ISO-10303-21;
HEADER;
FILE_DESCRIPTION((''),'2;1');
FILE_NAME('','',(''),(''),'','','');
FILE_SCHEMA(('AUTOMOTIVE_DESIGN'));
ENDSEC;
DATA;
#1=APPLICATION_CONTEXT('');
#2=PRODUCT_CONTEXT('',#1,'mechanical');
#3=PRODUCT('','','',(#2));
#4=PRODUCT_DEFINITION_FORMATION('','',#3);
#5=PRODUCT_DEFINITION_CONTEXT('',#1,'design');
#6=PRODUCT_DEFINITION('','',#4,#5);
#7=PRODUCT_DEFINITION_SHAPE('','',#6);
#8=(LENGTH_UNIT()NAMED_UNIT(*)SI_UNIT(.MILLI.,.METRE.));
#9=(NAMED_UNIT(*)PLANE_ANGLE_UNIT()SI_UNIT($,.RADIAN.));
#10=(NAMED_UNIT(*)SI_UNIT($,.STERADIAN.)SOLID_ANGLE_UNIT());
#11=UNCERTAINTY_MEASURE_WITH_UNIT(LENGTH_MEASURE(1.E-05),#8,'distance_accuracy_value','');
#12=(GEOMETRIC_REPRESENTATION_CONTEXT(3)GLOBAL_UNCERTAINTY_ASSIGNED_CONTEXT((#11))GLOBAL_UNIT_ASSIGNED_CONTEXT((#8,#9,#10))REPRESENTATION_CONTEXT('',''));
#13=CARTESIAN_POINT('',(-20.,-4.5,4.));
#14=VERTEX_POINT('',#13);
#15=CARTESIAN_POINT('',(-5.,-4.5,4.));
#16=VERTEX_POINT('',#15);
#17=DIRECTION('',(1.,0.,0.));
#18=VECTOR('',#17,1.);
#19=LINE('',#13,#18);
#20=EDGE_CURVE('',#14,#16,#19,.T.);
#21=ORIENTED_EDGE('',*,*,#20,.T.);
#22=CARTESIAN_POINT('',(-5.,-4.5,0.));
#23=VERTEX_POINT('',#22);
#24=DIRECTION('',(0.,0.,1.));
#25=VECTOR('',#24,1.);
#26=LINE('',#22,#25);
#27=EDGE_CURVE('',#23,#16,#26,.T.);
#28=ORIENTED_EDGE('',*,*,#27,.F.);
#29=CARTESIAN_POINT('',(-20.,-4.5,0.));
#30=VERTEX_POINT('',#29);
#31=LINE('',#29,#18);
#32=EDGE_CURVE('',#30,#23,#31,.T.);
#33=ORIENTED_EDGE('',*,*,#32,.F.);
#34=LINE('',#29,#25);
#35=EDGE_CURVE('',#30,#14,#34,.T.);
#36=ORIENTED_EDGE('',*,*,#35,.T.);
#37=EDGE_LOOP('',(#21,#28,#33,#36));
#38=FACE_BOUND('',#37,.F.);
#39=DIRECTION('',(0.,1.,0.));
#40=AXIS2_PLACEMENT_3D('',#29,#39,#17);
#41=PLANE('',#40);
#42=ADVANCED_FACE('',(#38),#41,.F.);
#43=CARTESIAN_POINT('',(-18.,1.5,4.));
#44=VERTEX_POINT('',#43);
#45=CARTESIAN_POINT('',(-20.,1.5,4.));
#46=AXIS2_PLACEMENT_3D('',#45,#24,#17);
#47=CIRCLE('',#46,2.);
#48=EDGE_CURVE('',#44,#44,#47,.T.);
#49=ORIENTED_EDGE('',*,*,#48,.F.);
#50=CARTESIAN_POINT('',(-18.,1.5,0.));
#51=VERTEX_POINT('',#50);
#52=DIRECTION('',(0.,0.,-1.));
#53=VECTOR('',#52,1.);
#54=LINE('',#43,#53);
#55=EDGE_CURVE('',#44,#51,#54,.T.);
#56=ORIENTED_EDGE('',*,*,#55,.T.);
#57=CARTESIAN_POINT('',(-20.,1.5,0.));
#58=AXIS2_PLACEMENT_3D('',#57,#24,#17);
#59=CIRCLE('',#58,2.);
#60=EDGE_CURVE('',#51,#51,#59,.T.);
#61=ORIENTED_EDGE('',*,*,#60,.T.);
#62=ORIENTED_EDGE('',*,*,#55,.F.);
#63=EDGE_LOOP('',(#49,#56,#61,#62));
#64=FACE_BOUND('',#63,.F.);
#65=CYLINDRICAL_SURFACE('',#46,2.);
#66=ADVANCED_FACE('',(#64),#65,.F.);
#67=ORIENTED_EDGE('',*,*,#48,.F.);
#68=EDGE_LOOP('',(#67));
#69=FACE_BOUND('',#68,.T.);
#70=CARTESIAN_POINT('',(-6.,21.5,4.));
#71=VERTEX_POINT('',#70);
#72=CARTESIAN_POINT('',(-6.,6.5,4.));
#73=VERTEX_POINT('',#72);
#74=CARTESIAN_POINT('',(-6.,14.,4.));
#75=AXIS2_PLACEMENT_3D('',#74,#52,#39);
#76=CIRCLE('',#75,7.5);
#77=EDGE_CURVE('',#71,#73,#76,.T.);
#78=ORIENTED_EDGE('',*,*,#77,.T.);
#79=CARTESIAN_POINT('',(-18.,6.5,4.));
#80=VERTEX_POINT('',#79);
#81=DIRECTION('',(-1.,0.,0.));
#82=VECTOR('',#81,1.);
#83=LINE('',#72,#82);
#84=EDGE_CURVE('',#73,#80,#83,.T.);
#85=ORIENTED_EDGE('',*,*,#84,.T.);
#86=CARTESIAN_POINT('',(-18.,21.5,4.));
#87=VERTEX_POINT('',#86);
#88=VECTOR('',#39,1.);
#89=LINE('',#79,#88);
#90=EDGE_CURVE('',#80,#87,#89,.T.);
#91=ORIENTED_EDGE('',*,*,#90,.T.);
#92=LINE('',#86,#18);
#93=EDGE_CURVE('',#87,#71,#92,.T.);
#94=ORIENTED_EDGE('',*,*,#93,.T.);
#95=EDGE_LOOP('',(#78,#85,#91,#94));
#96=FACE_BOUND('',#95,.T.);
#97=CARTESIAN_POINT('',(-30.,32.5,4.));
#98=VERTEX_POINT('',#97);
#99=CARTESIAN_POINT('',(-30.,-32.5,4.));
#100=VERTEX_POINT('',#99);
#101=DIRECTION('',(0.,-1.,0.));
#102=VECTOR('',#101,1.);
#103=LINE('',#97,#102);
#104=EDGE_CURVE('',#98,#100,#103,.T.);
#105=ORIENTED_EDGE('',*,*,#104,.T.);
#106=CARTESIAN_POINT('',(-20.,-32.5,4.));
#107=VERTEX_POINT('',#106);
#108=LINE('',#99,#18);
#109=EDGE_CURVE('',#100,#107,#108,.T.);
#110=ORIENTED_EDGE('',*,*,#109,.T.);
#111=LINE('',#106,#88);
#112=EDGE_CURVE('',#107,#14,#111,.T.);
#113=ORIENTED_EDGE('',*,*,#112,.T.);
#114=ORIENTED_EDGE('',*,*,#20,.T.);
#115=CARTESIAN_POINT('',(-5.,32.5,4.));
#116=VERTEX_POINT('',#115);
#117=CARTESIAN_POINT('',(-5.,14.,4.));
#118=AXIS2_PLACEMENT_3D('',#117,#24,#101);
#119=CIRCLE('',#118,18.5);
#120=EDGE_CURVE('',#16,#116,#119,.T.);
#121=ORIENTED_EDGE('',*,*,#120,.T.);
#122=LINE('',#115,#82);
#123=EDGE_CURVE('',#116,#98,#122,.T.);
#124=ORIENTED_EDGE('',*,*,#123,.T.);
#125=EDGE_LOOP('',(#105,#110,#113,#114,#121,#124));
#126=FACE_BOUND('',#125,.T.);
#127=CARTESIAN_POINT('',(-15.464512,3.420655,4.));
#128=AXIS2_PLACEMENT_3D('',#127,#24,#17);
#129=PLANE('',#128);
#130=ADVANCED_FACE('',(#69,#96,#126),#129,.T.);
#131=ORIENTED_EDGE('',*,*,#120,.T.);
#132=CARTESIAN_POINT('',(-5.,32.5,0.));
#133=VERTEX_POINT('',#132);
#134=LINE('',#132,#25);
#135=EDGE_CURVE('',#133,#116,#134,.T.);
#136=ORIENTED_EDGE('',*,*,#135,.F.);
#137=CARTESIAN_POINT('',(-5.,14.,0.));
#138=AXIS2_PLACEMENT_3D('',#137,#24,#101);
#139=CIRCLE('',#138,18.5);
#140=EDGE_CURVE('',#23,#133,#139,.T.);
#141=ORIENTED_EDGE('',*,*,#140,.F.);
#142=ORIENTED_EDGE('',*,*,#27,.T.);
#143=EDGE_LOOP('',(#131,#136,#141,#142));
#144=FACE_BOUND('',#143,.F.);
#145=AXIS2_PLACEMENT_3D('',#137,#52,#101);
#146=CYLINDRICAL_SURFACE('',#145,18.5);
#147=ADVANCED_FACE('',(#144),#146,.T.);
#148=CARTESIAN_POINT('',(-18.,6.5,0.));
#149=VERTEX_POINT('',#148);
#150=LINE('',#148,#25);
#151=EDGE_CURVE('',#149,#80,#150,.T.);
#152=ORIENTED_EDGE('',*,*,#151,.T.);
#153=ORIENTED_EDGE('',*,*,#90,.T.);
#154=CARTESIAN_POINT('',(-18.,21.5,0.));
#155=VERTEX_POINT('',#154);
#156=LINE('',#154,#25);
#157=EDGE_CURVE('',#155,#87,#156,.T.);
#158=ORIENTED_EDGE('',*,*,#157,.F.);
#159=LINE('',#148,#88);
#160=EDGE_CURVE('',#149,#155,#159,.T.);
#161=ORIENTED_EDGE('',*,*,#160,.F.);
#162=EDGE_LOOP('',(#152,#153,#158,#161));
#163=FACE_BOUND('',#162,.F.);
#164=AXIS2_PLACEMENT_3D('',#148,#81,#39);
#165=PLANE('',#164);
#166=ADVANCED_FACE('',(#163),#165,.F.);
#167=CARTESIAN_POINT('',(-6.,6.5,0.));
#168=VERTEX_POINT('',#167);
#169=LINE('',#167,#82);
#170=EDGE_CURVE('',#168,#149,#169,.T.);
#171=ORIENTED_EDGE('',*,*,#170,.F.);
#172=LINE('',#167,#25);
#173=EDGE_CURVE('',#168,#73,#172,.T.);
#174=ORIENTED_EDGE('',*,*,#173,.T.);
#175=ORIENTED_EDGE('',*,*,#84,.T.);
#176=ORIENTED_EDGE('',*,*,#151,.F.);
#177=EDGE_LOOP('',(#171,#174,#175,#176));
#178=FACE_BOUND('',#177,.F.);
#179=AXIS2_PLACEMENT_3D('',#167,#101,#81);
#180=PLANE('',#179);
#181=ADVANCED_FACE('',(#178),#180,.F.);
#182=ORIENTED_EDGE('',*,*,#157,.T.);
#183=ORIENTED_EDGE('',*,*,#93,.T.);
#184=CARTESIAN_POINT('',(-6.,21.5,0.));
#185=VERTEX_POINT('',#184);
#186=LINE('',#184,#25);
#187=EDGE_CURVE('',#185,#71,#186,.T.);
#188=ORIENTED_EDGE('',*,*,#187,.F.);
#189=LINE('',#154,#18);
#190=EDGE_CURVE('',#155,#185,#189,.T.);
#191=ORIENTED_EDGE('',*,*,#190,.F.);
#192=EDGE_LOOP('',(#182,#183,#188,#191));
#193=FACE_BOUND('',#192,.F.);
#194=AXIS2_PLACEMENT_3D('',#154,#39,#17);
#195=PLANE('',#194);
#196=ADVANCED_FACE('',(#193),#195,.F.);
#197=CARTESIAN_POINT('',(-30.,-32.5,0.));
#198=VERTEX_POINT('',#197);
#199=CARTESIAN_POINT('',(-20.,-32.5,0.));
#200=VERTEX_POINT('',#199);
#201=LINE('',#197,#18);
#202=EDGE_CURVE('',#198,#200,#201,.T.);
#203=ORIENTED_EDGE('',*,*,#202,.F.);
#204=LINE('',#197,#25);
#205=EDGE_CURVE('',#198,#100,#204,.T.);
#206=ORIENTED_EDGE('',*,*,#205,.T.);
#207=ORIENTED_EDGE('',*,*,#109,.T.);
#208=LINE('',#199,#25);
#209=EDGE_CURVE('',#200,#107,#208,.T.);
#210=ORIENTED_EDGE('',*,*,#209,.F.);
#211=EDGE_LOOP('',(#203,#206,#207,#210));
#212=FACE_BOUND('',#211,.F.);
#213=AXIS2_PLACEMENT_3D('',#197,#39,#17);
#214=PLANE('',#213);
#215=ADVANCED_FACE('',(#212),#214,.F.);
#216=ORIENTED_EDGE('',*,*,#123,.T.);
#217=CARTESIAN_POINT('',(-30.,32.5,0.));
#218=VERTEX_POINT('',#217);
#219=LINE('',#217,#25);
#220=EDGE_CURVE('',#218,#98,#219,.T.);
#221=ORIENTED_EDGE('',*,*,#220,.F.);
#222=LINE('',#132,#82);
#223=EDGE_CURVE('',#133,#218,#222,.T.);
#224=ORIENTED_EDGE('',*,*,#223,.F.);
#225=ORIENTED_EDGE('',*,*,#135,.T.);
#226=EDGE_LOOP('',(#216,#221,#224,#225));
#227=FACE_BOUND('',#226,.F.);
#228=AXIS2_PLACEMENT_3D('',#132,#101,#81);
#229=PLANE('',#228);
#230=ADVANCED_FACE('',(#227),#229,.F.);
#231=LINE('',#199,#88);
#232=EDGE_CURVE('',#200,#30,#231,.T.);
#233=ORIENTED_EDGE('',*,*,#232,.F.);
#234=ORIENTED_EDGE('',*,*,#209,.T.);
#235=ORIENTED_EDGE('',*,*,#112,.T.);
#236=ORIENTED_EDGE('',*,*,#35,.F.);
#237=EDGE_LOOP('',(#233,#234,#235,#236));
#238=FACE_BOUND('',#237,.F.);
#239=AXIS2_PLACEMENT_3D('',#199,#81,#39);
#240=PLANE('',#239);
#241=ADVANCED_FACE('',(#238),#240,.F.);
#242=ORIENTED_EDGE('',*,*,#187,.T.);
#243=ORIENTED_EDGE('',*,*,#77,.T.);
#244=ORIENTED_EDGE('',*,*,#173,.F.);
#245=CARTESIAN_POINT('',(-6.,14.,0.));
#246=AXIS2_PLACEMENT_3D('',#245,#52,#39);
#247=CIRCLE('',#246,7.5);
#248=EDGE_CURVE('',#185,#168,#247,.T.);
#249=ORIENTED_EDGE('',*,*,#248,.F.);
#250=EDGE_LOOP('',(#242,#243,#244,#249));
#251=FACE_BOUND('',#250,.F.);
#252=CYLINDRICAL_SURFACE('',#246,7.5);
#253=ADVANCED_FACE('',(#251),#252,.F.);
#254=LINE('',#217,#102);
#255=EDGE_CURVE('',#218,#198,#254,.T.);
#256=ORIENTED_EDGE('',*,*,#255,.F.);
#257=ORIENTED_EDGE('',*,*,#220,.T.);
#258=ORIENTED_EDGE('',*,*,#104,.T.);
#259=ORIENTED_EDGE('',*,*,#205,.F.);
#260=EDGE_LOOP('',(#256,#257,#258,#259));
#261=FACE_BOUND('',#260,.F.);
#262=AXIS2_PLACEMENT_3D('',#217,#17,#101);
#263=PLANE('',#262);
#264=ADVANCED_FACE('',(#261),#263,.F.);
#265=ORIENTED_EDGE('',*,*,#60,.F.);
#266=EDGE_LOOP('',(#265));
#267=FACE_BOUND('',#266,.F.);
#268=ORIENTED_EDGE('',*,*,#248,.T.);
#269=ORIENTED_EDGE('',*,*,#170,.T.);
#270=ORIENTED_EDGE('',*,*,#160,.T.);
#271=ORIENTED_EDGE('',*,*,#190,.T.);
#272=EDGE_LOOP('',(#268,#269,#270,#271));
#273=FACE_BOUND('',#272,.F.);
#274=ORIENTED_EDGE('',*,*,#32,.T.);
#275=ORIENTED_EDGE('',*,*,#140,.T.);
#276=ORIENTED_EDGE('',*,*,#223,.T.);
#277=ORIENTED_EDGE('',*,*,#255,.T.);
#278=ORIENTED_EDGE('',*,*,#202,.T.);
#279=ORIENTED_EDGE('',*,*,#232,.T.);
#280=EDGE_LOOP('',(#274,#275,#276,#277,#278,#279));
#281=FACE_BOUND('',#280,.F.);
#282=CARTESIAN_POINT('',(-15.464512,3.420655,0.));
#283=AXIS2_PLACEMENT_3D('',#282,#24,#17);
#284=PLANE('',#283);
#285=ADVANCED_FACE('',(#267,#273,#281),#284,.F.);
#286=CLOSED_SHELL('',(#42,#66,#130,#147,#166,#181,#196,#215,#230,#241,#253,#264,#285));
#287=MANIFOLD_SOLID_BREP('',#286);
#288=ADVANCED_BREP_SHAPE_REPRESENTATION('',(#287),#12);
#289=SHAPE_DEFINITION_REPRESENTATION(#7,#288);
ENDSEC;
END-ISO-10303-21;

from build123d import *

# Parameters (mm, degrees)
F1_DEPTH = 4
F2_R     = 2
F3_DEPTH = 4.001


with BuildPart() as f1:
    # F0 (on Top) → F1 (new body)
    with BuildSketch(Plane.XY):
        with BuildLine():
            Line((-5, 32.5), (-30, 32.5))
            Line((-30, 32.5), (-30, -32.5))
            Line((-30, -32.5), (-20, -32.5))
            Line((-20, -32.5), (-20, -4.5))
            Line((-20, -4.5), (-5, -4.5))
            ThreePointArc((-5, -4.5), (13.5, 14), (-5, 32.5))
        make_face()
        with BuildLine():
            Line((-18, 6.5), (-18, 21.5))
            Line((-18, 21.5), (-6, 21.5))
            ThreePointArc((-6, 21.5), (1.5, 14), (-6, 6.5))
            Line((-6, 6.5), (-18, 6.5))
        make_face(mode=Mode.SUBTRACT)
    extrude(amount=F1_DEPTH)

    # F2 (on face) → F3 (cut, through all)
    with BuildSketch(Plane.XY.offset(4)):
        with Locations((-20, 1.5)):
            Circle(F2_R)
    extrude(amount=-F3_DEPTH, mode=Mode.SUBTRACT)


solid = f1.part
